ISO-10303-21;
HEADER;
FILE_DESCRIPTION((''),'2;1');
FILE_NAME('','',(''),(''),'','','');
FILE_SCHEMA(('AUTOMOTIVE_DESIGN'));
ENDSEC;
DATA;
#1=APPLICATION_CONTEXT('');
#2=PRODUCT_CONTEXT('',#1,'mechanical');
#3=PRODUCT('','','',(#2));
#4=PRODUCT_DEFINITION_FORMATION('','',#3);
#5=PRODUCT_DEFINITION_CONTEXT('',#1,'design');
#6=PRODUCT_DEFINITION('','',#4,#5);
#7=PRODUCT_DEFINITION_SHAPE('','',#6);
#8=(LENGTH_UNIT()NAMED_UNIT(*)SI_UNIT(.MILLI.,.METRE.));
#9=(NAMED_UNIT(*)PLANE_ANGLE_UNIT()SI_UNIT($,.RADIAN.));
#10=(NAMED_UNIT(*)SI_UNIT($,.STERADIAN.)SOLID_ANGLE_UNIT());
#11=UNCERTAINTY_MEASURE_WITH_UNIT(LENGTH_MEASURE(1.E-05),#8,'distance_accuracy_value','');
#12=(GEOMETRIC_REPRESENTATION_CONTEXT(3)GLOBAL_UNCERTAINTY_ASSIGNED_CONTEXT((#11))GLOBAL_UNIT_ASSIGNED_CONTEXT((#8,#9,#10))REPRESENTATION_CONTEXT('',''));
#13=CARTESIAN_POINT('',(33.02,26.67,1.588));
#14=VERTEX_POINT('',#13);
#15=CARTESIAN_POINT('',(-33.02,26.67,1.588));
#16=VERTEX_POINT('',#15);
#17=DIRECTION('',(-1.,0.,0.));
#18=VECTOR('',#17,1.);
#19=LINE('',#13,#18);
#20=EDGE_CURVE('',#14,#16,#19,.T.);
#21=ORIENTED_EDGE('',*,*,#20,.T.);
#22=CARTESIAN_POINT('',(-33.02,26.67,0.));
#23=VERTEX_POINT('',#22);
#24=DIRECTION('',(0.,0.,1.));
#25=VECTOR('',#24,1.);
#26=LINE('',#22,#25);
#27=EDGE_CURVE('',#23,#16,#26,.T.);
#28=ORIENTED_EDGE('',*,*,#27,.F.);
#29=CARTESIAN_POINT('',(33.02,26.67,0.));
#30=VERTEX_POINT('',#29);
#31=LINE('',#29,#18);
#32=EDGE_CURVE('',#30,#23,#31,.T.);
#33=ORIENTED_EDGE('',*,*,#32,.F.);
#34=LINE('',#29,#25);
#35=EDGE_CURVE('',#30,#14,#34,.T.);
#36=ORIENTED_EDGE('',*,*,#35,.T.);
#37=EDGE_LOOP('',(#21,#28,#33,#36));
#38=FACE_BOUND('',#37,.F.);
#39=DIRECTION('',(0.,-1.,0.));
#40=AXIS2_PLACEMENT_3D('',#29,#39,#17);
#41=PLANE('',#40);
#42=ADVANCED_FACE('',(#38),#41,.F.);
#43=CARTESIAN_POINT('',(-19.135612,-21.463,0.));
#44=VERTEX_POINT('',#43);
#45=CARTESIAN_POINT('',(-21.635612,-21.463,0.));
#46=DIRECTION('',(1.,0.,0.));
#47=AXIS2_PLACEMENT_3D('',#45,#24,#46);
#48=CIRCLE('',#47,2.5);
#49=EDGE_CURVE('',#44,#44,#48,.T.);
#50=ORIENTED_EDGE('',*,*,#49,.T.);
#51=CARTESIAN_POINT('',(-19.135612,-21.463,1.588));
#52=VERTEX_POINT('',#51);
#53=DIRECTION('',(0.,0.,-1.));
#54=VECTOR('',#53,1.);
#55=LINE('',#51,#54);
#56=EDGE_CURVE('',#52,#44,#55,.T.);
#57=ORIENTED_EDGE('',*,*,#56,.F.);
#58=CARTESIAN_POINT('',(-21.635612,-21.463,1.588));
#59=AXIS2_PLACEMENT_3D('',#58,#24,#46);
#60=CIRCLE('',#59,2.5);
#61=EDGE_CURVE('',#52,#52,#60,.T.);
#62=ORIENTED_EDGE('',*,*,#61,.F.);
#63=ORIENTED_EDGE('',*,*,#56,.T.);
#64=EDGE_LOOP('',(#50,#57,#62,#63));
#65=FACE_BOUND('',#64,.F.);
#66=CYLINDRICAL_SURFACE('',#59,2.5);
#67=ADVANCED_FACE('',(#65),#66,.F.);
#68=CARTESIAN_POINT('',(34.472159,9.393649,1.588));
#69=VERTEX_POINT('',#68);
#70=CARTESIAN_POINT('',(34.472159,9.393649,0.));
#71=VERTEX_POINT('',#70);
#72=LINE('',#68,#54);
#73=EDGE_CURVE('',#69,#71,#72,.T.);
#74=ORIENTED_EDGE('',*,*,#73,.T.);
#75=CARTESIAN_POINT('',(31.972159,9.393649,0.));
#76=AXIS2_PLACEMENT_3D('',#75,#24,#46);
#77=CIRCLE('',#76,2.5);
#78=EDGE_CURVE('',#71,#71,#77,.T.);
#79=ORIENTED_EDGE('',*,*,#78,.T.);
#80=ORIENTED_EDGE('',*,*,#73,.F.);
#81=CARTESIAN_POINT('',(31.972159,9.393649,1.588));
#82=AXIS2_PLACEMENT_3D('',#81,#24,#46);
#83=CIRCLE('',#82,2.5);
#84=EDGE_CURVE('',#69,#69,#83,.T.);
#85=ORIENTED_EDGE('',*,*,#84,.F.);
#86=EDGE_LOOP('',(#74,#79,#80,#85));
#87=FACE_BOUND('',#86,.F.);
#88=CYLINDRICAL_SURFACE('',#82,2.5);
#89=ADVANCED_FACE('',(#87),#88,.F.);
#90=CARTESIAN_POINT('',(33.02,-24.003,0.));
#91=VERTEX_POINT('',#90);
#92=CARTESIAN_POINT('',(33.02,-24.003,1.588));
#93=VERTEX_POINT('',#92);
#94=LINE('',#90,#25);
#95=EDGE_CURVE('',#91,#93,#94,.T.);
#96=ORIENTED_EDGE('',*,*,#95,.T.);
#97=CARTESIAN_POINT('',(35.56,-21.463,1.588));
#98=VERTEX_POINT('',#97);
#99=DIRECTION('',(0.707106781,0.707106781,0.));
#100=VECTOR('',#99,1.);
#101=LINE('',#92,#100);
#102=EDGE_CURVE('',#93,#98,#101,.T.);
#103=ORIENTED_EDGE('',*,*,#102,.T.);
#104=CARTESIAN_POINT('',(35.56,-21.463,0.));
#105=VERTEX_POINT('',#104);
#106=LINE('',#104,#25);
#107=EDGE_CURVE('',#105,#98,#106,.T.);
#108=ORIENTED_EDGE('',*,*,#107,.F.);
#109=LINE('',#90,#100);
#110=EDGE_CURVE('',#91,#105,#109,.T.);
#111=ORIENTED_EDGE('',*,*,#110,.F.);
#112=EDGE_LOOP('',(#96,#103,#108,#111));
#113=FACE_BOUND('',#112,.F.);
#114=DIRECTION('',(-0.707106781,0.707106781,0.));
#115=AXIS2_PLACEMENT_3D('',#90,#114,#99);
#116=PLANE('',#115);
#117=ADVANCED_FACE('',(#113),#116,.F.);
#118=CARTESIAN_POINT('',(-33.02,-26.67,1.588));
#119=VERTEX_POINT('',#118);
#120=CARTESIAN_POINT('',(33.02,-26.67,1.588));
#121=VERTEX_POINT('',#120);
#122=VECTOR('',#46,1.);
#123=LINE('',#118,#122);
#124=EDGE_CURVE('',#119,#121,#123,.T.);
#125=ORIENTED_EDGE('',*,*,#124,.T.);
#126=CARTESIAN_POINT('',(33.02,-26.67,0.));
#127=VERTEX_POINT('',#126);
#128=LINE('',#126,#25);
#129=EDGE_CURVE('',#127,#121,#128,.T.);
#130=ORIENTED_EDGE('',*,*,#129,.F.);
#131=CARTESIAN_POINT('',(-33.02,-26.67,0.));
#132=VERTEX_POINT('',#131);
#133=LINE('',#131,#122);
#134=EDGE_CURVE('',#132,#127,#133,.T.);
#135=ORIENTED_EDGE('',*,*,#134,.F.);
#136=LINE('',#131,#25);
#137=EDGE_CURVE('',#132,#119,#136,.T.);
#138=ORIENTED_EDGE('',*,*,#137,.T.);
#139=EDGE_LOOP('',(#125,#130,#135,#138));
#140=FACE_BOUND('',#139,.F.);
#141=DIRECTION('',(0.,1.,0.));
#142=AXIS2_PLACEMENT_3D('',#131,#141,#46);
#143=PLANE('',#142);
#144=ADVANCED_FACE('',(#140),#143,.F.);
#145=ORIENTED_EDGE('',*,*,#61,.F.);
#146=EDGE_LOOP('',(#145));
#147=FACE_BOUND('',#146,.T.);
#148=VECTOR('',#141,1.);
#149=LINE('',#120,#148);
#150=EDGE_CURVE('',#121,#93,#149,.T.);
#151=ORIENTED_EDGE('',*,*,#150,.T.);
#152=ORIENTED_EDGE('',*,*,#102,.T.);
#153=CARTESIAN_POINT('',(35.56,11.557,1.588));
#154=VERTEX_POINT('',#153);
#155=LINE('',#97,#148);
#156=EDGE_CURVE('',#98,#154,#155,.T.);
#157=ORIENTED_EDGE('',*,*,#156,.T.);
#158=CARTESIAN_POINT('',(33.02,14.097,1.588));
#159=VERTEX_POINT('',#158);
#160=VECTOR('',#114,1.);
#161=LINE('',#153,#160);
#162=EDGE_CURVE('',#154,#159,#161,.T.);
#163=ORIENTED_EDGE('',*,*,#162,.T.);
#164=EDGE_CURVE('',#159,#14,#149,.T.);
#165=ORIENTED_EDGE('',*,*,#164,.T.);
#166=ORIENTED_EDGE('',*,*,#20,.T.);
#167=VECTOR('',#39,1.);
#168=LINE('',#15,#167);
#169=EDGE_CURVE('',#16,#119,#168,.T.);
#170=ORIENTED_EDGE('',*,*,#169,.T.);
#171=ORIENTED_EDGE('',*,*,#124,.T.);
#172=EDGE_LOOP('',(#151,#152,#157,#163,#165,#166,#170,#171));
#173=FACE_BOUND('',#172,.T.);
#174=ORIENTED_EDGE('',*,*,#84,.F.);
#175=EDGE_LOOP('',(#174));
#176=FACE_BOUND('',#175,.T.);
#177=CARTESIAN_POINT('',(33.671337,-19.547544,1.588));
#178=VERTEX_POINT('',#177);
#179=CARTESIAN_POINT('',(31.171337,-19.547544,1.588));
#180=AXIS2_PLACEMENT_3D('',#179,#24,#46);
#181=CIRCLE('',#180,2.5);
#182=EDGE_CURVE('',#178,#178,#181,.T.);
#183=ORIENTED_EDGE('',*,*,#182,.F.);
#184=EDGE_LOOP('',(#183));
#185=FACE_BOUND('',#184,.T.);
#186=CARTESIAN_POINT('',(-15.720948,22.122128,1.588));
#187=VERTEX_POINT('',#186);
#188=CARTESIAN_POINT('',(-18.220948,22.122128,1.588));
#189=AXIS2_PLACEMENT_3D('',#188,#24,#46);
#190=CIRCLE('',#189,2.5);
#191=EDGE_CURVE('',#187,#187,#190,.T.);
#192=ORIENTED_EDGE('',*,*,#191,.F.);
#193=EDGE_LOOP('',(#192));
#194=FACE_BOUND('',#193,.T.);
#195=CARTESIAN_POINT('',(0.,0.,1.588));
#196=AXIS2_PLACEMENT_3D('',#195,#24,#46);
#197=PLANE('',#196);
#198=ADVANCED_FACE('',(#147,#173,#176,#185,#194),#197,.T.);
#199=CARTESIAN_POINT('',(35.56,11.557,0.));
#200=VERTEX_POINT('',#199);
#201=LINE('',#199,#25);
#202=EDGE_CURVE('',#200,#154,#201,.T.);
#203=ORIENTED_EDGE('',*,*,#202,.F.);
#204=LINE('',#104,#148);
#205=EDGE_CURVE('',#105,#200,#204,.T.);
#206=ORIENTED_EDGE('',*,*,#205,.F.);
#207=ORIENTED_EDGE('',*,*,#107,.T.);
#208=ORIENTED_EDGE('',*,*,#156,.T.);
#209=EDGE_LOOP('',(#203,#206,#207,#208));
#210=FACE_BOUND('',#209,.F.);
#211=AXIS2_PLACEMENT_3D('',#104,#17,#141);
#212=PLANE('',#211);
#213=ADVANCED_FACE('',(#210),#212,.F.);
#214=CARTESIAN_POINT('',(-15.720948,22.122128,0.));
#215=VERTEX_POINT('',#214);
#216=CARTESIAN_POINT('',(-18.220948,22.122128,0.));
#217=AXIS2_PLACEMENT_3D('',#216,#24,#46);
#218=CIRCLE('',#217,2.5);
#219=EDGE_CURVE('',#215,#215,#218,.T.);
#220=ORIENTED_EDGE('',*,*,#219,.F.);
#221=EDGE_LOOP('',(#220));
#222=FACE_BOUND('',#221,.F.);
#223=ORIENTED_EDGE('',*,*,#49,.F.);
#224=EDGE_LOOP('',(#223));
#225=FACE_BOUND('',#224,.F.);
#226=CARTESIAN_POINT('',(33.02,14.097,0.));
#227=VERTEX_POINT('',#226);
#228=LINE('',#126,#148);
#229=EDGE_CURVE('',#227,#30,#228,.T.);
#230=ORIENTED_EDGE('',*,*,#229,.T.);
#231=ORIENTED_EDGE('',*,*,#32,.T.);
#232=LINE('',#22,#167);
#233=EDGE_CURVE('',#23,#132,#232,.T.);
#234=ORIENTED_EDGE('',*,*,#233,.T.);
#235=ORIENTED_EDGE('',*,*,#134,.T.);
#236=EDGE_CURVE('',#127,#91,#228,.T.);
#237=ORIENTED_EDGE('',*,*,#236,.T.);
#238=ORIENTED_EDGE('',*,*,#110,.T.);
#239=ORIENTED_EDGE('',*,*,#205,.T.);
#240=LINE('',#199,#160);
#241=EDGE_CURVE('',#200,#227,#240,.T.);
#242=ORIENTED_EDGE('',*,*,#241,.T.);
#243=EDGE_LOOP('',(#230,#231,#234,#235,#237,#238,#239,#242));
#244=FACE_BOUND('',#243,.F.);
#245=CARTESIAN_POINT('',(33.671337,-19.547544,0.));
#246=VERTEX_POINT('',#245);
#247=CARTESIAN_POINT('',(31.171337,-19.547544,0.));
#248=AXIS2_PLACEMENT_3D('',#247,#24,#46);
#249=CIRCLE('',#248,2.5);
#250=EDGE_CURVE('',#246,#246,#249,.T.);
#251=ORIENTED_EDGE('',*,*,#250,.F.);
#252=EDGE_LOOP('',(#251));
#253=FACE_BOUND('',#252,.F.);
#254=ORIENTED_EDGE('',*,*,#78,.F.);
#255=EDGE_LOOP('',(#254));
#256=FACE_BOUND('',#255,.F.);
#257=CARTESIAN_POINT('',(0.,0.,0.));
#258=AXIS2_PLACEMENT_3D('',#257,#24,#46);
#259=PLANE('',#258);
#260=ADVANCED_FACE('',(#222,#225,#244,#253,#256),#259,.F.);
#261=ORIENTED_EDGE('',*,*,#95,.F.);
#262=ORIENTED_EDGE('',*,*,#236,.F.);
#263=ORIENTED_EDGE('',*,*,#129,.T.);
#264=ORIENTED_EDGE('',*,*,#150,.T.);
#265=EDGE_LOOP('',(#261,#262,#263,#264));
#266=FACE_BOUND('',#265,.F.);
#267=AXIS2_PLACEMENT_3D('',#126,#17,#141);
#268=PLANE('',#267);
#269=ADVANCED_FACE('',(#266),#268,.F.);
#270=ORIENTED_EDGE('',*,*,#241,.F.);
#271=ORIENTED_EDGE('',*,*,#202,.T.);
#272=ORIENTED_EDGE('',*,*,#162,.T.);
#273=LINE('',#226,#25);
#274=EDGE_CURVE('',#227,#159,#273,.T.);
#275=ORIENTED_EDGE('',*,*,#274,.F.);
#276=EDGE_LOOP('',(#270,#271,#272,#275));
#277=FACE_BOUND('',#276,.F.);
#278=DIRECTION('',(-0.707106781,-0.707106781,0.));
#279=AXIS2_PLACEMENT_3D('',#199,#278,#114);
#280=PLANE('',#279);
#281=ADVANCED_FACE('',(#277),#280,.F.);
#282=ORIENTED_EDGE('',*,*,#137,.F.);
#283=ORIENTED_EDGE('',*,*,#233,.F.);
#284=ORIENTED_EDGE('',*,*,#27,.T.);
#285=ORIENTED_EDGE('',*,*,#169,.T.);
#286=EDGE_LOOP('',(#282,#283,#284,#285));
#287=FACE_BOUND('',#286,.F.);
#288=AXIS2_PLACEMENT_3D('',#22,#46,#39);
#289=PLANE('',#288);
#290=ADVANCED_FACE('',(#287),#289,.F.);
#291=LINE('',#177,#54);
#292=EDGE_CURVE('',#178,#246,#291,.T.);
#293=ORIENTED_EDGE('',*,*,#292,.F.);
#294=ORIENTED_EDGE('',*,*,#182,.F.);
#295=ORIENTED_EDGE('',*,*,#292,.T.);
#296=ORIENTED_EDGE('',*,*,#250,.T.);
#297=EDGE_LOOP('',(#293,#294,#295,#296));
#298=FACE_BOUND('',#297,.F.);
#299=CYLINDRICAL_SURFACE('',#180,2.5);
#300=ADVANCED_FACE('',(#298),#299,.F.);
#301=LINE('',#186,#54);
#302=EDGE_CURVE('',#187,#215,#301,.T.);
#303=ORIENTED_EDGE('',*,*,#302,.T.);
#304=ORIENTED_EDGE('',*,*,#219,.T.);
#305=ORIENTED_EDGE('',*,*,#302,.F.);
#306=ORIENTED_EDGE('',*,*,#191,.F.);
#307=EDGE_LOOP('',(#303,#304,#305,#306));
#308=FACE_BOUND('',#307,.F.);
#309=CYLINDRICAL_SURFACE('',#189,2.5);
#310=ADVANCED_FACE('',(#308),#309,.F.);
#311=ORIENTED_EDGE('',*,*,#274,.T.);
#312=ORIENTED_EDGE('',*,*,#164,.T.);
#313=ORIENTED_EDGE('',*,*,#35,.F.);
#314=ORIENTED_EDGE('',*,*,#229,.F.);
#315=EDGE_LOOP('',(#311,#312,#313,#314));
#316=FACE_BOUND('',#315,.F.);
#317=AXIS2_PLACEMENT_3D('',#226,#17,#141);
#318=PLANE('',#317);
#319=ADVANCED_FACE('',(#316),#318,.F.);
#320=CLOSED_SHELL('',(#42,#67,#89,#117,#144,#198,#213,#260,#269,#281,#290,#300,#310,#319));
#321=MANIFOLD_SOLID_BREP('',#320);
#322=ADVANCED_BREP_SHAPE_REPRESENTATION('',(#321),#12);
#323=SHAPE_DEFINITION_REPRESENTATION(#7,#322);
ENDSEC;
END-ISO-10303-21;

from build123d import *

# Parameters (mm, degrees)
F1_DEPTH = 1.588
F2_R     = 2.5
F3_DEPTH = 1.589


with BuildPart() as f1:
    # F0 (on Top) → F1 (new body)
    with BuildSketch(Plane.XY):
        Polygon((33.02, 26.67), (-33.02, 26.67), (-33.02, -26.67), (33.02, -26.67), (33.02, -24.003), (33.02, 14.097), align=None)
        Polygon((35.56, 11.557), (33.02, 14.097), (33.02, -24.003), (35.56, -21.463), align=None)
    extrude(amount=F1_DEPTH)

    # F2 (on face) → F3 (cut, through all)
    with BuildSketch(Plane.XY.offset(1.588)):
        with Locations((-18.220948, 22.122128)):
            Circle(F2_R)
        with Locations((31.972159, 9.393649)):
            Circle(F2_R)
        with Locations((31.171337, -19.547544)):
            Circle(F2_R)
        with Locations((-21.635612, -21.463)):
            Circle(F2_R)
    extrude(amount=-F3_DEPTH, mode=Mode.SUBTRACT)


solid = f1.part
